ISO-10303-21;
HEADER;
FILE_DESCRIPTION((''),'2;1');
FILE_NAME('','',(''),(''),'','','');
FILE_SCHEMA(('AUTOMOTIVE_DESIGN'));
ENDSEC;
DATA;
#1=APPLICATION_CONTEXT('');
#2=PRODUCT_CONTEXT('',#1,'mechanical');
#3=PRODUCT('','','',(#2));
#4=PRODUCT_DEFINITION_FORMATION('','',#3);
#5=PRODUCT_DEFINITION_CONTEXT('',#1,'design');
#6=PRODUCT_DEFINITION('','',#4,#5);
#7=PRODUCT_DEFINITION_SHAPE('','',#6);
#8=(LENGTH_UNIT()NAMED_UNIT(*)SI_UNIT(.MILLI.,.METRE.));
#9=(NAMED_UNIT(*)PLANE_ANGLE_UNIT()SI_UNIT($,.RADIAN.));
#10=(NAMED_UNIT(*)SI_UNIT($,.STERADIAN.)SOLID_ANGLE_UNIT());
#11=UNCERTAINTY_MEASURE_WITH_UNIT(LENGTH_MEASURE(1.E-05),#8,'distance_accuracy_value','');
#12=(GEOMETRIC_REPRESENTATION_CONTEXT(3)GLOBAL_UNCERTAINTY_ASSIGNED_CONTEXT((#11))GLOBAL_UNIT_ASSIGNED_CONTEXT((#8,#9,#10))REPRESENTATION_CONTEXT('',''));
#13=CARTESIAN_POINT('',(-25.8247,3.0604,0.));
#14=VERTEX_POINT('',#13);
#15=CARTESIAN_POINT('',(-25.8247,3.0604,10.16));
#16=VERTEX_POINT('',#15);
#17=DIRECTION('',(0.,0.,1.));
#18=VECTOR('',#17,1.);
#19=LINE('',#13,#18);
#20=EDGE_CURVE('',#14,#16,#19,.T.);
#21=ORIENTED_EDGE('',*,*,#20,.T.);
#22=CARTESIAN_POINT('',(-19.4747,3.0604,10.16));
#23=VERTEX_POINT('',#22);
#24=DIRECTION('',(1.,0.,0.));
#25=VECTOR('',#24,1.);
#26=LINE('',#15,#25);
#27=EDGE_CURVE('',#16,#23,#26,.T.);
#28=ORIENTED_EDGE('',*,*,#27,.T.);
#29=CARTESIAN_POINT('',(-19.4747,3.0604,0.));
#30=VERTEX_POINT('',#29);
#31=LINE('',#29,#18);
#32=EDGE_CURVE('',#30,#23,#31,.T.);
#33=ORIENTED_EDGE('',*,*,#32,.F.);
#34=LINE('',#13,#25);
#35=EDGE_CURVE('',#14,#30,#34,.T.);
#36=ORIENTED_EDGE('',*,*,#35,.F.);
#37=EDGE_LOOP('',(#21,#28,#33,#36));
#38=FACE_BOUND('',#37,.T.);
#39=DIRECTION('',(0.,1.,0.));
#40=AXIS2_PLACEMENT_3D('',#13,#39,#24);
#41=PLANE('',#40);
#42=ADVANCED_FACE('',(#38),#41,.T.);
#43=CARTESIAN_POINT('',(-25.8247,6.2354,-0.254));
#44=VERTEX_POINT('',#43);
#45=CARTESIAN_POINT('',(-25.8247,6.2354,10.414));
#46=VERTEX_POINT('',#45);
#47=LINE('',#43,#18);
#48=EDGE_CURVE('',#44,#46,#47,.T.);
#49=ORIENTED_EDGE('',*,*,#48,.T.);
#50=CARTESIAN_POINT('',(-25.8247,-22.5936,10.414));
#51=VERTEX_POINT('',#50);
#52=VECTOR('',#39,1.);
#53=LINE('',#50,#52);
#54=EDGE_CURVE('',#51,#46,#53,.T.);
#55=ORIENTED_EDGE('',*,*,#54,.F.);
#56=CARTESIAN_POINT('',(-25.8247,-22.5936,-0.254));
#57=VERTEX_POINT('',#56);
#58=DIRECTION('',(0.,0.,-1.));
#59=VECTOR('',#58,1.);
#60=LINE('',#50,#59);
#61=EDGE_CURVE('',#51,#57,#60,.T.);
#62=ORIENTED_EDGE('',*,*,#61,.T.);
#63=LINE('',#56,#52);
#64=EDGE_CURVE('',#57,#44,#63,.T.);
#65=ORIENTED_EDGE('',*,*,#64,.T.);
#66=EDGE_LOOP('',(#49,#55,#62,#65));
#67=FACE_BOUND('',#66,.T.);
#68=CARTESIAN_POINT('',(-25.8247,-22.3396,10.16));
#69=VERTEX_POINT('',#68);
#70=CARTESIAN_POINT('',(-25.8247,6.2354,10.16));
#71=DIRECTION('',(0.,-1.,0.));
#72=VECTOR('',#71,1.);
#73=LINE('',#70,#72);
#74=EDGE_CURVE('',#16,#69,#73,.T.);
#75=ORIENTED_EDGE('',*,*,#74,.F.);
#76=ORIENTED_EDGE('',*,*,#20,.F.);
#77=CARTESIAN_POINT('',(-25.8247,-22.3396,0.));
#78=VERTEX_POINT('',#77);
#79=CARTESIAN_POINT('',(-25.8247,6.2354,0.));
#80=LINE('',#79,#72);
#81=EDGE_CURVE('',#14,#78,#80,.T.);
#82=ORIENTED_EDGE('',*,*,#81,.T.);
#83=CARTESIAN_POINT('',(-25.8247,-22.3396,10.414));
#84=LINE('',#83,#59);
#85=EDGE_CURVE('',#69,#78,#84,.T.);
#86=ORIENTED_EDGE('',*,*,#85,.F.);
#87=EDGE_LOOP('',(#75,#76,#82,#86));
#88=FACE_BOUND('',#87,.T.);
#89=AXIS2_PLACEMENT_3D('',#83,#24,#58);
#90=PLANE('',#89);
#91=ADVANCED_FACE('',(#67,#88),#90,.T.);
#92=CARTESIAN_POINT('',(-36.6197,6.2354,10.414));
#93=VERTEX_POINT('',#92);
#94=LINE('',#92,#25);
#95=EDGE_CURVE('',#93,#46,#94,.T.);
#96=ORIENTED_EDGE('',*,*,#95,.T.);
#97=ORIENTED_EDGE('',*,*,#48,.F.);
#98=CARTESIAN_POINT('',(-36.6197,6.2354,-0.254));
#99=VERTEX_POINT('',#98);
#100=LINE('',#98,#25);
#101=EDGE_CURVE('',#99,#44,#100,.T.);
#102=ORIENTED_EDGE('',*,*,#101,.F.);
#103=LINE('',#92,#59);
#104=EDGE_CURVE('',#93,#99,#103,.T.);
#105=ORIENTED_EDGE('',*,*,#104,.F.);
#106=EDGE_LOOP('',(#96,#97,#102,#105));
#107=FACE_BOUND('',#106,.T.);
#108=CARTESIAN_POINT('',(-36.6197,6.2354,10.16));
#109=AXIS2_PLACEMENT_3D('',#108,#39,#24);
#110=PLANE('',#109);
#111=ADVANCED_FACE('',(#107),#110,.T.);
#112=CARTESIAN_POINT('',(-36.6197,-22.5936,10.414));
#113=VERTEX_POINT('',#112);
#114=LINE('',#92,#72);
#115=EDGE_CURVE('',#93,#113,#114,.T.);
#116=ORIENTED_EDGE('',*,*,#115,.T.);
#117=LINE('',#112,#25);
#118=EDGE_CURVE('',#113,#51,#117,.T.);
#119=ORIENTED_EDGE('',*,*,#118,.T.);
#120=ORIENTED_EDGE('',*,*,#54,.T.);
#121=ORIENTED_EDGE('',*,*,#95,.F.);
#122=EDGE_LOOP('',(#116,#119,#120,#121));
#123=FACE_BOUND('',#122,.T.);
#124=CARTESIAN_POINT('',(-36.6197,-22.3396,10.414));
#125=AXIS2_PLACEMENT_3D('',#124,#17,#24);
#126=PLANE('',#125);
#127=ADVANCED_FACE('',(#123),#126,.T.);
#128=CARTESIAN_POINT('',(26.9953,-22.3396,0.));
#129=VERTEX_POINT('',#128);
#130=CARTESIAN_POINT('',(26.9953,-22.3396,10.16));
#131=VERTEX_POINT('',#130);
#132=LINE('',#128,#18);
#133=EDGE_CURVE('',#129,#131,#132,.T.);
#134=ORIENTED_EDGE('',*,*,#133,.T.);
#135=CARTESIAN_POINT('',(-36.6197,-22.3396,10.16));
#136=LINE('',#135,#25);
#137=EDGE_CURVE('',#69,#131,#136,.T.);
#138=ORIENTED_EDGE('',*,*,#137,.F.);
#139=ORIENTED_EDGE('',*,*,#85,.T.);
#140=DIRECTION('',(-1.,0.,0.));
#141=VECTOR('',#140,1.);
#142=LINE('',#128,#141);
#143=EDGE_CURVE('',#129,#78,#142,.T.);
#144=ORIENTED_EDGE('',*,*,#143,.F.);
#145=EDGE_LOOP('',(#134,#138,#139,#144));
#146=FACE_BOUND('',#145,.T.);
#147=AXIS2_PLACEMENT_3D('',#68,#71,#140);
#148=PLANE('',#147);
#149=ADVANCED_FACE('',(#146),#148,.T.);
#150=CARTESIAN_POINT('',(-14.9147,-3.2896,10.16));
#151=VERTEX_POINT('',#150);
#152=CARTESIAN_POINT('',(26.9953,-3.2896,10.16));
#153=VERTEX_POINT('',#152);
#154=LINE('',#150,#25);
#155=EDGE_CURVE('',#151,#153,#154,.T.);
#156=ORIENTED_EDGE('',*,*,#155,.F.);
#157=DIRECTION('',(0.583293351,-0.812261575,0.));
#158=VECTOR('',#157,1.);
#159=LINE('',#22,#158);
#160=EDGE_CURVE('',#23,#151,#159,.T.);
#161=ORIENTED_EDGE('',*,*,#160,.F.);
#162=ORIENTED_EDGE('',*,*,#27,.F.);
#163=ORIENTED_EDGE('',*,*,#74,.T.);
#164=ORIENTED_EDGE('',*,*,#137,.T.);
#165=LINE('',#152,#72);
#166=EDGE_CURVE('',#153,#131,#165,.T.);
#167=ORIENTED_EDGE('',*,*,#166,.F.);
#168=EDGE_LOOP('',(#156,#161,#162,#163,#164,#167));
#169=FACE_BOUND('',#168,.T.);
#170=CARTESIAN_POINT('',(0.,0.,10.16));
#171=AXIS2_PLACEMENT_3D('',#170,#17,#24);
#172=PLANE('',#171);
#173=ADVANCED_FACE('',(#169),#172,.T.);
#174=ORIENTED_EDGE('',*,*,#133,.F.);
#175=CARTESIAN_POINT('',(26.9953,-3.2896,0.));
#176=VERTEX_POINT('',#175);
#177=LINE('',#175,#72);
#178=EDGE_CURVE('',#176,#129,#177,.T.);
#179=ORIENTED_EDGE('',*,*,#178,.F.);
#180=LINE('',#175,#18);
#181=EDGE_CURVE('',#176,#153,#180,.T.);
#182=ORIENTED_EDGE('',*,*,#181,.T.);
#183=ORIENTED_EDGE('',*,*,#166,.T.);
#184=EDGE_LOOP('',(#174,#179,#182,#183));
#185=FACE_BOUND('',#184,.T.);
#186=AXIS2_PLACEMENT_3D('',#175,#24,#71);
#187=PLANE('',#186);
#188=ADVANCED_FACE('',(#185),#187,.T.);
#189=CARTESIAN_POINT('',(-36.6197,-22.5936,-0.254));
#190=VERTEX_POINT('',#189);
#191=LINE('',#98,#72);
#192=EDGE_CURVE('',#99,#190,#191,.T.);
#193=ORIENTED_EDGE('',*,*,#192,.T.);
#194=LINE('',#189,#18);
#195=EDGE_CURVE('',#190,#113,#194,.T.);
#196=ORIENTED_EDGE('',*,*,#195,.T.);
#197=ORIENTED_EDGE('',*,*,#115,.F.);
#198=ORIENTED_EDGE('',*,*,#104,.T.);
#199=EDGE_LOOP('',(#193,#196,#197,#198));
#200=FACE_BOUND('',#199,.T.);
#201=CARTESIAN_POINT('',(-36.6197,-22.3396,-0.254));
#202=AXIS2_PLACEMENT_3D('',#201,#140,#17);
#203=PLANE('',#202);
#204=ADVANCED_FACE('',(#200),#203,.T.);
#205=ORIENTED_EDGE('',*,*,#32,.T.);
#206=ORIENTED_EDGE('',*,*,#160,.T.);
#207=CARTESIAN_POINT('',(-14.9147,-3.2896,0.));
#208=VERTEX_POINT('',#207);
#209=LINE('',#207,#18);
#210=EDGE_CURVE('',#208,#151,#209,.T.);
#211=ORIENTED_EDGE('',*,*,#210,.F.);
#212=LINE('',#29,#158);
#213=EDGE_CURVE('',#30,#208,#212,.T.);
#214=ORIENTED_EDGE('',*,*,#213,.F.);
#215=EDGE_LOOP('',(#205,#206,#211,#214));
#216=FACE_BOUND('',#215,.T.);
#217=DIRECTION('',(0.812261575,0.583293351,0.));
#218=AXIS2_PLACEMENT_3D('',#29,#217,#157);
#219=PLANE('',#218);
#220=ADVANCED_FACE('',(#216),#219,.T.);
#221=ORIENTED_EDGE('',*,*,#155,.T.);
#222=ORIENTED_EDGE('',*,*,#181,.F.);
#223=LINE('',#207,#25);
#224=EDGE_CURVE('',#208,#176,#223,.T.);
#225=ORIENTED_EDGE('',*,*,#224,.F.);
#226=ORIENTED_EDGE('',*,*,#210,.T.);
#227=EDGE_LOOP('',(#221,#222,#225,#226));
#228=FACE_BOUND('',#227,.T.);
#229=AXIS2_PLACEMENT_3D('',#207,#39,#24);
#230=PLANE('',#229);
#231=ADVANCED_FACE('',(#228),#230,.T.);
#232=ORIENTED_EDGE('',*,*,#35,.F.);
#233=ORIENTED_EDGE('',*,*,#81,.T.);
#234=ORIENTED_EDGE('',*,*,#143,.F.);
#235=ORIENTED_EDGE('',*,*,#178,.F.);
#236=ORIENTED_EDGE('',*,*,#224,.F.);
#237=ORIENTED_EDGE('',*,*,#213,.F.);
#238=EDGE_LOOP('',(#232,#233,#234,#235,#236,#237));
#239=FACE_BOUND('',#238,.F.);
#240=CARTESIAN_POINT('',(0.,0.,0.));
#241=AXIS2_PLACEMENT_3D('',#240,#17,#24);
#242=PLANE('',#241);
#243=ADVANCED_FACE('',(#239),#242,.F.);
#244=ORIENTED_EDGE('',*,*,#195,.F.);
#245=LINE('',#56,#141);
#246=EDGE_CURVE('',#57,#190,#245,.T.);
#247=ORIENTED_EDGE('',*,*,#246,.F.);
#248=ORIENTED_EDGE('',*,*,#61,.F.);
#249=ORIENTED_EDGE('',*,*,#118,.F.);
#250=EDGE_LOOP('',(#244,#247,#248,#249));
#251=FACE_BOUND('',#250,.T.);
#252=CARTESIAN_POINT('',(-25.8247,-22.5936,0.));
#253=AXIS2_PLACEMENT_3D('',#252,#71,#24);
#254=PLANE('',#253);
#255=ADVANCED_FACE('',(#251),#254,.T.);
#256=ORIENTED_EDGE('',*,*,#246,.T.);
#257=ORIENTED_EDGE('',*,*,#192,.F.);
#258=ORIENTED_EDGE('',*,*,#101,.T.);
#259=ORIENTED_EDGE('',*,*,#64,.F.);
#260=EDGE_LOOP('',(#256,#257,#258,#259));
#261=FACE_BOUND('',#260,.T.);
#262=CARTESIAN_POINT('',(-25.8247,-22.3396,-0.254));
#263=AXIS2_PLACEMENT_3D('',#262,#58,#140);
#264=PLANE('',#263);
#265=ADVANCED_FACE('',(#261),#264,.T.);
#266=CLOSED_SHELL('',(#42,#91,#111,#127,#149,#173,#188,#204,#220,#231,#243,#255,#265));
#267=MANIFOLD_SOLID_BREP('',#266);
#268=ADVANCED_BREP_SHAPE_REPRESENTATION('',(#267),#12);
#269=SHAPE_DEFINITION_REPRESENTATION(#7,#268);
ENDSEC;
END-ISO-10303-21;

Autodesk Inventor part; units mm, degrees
ref_plane "YZ Plane" through (0, 0, 0) normal (1, 0, 0) x (0, 1, 0)
ref_plane "XZ Plane" through (0, 0, 0) normal (0, 1, 0) x (-1, 0, 0)
ref_plane "XY Plane" through (0, 0, 0) normal (0, 0, 1) x (1, 0, 0)
sketch "Sketch1" plane through (0, 0, 0) normal (0, 0, 1) x (1, 0, 0)
  line L0 (-36.6197, 6.2354) -> (-25.8247, 6.2354)
  line L1 (-25.8247, 6.2354) -> (-25.8247, -22.3396)
  line L2 (-25.8247, -22.3396) -> (-36.6197, -22.3396)
  line L3 (-36.6197, -22.3396) -> (-36.6197, 6.2354)
  line L4 (-25.8247, 3.0604) -> (-19.4747, 3.0604)
  line L5 (-19.4747, 3.0604) -> (-14.9147, -3.2896)
  line L6 (-14.9147, -3.2896) -> (26.9953, -3.2896)
  line L7 (26.9953, -3.2896) -> (26.9953, -22.3396)
  line L8 (26.9953, -22.3396) -> (-25.8247, -22.3396)
  point P0 (0, 0)
  dimension "d0" = 28.575
  dimension "d1" = 10.795
  dimension "d2" = 25.4
  dimension "d3" = 19.05
  dimension "d4" = 41.91
  dimension "d5" = 6.35
extrude "Extrusion1" add sketch "Sketch1" along normal blind 10.16
sketch "Sketch2" plane through (0, 0, 0) normal (0, 0, -1) x (-1, 0, 0)
  line L0 (36.6197, -22.3396) -> (-26.9953, -22.3396) projected
  line L1 (36.6197, 6.2354) -> (25.8247, 6.2354)
  line L2 (25.8247, 6.2354) -> (25.8247, -22.3396)
  line L3 (25.8247, -22.3396) -> (36.6197, -22.3396)
  line L4 (36.6197, -22.3396) -> (36.6197, 6.2354)
  point P0 (0, 0)
extrude "Extrusion2" add sketch "Sketch2" along normal blind 0.254
sketch "Sketch3" plane through (0, 0, 10.16) normal (0, 0, 1) x (1, 0, 0)
  line L0 (26.9953, -22.3396) -> (-36.6197, -22.3396) projected
  line L1 (-36.6197, 6.2354) -> (-25.8247, 6.2354)
  line L2 (-25.8247, 6.2354) -> (-25.8247, -22.3396)
  line L3 (-25.8247, -22.3396) -> (-36.6197, -22.3396)
  line L4 (-36.6197, -22.3396) -> (-36.6197, 6.2354)
  point P0 (0, 0)
extrude "Extrusion3" add sketch "Sketch3" along normal blind 0.254
sketch "Sketch4" plane through (-25.8247, -22.3396, 0) normal (0, -1, 0) x (1, 0, 0)
  line L0 (-10.795, 10.414) -> (0, 10.414)
  line L1 (0, 10.414) -> (0, -0.254)
  line L2 (0, -0.254) -> (-10.795, -0.254)
  line L3 (-10.795, -0.254) -> (-10.795, 10.414)
  point P0 (25.8247, 0)
extrude "Extrusion4" add sketch "Sketch4" along normal blind 0.254
properties part number "Selenoid Part 1764"
